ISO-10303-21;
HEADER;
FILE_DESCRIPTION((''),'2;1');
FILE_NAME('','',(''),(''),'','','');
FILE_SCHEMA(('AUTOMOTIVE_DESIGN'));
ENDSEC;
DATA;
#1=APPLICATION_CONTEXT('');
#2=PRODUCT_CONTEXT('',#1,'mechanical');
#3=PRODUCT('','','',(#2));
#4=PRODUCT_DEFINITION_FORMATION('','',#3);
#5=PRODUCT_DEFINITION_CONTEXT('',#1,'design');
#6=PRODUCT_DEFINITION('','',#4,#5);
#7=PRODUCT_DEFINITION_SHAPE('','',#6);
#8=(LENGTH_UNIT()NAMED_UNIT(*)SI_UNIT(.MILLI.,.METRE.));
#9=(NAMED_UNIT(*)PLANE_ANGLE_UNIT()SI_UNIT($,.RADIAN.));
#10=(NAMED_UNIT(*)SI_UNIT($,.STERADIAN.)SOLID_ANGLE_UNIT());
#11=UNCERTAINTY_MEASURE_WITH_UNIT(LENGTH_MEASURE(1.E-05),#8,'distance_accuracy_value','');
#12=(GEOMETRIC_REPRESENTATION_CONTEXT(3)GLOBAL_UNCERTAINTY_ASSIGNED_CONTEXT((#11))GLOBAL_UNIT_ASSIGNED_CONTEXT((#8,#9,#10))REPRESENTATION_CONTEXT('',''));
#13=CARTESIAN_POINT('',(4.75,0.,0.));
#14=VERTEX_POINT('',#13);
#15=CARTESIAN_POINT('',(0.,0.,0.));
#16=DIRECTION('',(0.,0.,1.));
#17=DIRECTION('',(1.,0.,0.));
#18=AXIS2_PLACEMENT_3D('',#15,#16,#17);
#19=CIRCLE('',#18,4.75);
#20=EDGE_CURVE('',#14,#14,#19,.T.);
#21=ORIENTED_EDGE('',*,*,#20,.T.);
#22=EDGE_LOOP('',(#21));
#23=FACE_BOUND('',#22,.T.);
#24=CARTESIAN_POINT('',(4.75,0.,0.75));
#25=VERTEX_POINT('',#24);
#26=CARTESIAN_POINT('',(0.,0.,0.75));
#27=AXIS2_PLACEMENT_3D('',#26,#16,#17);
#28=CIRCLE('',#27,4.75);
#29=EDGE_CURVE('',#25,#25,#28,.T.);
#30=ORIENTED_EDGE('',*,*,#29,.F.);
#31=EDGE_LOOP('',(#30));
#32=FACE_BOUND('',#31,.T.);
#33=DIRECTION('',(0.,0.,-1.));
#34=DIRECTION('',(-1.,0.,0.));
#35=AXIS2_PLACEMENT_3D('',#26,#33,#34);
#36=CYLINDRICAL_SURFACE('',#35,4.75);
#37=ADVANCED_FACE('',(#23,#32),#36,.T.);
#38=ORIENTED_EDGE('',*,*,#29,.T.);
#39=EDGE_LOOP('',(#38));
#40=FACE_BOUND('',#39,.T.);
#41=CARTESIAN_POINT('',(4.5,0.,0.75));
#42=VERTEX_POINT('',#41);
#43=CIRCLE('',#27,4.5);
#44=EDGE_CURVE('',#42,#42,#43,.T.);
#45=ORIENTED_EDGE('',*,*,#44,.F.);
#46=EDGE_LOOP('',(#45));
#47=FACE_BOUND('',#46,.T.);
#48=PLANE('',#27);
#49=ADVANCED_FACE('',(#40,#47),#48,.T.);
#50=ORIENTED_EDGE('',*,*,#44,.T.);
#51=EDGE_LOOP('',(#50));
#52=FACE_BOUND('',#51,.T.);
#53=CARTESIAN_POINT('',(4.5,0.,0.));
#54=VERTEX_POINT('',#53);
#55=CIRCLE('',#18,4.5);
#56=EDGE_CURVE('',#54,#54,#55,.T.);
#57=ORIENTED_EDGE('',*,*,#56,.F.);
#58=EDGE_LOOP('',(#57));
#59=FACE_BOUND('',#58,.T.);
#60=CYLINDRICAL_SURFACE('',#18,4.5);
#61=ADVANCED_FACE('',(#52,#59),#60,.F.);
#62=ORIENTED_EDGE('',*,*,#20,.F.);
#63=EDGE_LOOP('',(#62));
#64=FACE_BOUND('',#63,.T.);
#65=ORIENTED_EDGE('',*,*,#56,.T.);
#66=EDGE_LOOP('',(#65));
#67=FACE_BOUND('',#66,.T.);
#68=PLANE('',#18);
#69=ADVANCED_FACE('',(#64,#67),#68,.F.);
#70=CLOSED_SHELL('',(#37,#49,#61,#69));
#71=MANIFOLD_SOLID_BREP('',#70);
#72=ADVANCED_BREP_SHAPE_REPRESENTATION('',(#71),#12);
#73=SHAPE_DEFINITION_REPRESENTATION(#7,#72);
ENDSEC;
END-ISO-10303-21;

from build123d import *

# Parameters (mm, degrees)
SKETCH_1_R          = 4.75
EXTRUDE_1_DEPTH     = 0.75
SKETCH_3_R          = 4.5
CUT_EXTRUDE_1_DEPTH = 0.75


with BuildPart() as part:
    # 草图1 → 凸台-拉伸1 (new body)
    with BuildSketch(Plane.XY):
        Circle(SKETCH_1_R)
    extrude(amount=EXTRUDE_1_DEPTH)

    # 草图3 → 切除-拉伸1 (cut)
    with BuildSketch(Plane.XY.offset(0.75)):
        Circle(SKETCH_3_R)
    extrude(amount=-CUT_EXTRUDE_1_DEPTH, mode=Mode.SUBTRACT)


solid = part.part
